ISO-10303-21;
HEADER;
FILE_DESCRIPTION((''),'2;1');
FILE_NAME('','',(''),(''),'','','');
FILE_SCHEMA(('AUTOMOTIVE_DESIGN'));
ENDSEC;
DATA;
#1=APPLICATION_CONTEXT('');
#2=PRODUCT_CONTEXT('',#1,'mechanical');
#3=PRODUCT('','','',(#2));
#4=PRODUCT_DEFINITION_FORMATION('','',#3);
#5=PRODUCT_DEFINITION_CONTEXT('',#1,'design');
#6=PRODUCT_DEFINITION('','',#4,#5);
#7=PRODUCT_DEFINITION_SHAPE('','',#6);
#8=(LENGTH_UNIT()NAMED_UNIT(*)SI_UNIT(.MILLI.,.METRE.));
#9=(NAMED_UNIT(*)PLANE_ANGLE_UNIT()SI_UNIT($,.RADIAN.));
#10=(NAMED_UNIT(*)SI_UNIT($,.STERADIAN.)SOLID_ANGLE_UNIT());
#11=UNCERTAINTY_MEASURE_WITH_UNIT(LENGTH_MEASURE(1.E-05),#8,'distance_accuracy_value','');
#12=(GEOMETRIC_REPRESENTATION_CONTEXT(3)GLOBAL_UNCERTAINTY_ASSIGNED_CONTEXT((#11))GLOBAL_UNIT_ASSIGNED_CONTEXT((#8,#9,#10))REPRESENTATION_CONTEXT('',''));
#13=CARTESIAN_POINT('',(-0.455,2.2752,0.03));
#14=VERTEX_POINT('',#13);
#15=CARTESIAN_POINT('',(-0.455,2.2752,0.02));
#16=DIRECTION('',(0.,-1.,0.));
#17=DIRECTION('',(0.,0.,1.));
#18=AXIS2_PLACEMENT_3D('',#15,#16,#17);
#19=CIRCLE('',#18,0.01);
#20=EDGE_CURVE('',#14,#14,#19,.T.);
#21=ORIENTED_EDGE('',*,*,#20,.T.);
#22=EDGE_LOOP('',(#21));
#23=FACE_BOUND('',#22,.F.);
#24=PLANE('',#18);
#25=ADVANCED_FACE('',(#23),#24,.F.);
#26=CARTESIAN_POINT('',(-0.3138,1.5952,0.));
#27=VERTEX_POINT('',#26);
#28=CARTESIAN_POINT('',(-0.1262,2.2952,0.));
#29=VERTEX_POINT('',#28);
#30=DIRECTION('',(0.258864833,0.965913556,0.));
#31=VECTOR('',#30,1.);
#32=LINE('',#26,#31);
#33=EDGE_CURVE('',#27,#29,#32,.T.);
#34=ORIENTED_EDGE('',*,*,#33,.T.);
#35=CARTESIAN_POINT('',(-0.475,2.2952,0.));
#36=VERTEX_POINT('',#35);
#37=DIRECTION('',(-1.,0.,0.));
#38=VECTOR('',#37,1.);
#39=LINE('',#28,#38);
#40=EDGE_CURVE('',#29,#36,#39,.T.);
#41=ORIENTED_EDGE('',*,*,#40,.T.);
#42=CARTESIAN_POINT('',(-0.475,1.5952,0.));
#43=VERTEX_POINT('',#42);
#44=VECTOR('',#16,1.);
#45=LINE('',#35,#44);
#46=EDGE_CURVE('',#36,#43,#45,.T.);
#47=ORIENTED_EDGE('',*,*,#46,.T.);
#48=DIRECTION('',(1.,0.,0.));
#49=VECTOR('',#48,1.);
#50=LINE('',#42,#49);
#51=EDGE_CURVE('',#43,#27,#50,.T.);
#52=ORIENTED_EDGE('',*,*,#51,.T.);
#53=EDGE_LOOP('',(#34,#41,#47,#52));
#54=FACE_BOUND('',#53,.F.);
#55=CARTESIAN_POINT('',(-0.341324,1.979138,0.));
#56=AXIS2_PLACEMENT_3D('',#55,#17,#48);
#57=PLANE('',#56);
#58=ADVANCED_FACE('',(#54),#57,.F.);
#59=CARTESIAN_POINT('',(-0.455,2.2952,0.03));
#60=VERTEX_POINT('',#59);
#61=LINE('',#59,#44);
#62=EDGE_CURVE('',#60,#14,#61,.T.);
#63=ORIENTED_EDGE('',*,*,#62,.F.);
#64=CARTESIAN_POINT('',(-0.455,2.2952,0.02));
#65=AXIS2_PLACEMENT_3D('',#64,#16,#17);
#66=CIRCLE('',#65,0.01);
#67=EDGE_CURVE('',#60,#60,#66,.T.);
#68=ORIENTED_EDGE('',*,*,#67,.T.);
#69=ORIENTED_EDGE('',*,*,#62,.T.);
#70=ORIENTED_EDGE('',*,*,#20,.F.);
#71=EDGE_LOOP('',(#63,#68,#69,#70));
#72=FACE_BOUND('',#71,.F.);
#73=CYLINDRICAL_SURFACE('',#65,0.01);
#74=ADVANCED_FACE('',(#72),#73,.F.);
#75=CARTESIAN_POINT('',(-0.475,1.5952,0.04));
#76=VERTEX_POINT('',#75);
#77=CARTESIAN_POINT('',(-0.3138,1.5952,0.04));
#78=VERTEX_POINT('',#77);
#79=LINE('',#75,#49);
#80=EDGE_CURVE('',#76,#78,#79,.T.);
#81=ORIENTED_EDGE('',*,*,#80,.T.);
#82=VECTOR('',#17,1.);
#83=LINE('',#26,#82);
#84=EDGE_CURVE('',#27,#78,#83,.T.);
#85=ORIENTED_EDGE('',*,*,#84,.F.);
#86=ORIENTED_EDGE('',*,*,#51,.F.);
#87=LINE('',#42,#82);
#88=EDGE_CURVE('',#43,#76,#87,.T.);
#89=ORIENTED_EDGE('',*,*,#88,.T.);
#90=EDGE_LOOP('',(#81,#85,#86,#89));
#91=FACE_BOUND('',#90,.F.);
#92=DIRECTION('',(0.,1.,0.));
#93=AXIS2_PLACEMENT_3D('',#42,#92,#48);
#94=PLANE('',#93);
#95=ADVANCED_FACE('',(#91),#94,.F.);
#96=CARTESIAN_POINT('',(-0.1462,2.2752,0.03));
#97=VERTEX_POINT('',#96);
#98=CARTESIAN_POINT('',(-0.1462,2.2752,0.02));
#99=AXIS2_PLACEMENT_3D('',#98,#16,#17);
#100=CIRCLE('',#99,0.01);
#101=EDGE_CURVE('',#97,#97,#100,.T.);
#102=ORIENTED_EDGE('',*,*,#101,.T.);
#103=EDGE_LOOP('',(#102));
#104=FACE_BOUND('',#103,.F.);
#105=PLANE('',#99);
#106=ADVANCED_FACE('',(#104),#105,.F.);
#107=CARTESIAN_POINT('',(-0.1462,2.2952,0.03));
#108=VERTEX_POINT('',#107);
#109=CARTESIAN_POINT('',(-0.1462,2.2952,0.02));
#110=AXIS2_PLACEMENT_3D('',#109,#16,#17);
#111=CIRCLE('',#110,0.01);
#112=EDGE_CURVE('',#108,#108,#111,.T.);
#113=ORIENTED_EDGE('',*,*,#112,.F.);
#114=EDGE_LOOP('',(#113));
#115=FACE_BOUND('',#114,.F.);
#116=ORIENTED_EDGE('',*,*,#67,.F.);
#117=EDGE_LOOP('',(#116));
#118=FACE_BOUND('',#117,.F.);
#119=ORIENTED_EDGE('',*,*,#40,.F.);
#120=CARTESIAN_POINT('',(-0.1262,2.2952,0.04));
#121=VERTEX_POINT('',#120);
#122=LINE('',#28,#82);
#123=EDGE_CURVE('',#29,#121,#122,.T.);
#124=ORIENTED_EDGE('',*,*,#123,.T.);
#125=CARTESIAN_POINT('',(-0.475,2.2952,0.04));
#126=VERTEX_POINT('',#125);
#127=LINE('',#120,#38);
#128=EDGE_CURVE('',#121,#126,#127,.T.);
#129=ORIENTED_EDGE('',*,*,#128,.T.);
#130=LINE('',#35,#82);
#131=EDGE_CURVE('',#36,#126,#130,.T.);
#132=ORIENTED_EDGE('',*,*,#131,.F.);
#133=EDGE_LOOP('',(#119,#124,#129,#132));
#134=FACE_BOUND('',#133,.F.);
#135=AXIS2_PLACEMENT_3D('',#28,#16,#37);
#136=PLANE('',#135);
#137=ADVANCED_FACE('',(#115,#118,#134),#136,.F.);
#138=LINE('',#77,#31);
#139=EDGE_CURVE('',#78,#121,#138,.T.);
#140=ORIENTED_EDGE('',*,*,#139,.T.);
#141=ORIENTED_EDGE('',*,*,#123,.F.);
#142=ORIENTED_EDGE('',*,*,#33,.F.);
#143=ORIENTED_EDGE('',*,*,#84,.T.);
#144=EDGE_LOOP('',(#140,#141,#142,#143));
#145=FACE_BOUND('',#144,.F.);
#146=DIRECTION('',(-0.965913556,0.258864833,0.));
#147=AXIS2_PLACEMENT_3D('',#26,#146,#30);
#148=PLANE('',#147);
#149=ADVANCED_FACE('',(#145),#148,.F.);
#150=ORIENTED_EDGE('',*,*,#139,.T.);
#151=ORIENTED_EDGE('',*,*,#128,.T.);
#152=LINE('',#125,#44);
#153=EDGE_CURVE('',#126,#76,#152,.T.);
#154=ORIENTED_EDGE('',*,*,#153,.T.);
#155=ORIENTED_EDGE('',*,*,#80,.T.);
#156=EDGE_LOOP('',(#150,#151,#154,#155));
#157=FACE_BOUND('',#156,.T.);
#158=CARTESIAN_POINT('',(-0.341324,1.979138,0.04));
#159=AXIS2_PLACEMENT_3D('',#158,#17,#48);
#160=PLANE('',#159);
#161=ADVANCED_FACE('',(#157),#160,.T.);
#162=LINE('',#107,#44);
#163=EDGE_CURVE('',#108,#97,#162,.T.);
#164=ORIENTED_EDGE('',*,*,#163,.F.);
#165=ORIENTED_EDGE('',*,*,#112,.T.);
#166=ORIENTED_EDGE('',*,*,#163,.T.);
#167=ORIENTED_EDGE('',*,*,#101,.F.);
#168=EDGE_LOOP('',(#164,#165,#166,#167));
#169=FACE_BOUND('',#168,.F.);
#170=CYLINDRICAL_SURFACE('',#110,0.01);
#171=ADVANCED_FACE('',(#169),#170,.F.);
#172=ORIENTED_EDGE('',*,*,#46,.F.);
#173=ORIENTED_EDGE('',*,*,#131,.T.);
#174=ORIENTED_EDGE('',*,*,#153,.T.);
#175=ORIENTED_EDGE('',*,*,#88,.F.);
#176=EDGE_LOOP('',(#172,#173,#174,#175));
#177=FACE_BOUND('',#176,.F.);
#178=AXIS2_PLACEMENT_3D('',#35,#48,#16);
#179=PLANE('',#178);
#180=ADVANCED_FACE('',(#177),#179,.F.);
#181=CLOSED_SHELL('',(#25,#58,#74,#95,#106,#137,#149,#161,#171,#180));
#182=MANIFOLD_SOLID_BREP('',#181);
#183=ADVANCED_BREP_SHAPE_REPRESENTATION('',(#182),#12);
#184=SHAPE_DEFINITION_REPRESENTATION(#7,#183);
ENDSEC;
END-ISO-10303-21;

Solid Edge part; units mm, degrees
sketch "Sketch1" plane through (0, 0, 0) normal (0, 0, 1) x (1, 0, 0)
  line L0 (-0.3138, 1.5952) -> (-0.1262, 2.2952)
  line L1 (-0.1262, 2.2952) -> (-0.475, 2.2952)
  line L2 (-0.475, 2.2952) -> (-0.475, 1.5952)
  line L3 (-0.475, 1.5952) -> (-0.3138, 1.5952)
extrude "Protrusion1" add sketch "Sketch1" along normal blind 0.04
hole "Bohrung_15" at (-0.455, 2.2952, 0.02) direction (0, -1, 0) diameter 0.02 depth 0.02
hole "Hole1" at (-0.1462, 2.2952, 0.02) direction (0, -1, 0) diameter 0.02 depth 0.02
